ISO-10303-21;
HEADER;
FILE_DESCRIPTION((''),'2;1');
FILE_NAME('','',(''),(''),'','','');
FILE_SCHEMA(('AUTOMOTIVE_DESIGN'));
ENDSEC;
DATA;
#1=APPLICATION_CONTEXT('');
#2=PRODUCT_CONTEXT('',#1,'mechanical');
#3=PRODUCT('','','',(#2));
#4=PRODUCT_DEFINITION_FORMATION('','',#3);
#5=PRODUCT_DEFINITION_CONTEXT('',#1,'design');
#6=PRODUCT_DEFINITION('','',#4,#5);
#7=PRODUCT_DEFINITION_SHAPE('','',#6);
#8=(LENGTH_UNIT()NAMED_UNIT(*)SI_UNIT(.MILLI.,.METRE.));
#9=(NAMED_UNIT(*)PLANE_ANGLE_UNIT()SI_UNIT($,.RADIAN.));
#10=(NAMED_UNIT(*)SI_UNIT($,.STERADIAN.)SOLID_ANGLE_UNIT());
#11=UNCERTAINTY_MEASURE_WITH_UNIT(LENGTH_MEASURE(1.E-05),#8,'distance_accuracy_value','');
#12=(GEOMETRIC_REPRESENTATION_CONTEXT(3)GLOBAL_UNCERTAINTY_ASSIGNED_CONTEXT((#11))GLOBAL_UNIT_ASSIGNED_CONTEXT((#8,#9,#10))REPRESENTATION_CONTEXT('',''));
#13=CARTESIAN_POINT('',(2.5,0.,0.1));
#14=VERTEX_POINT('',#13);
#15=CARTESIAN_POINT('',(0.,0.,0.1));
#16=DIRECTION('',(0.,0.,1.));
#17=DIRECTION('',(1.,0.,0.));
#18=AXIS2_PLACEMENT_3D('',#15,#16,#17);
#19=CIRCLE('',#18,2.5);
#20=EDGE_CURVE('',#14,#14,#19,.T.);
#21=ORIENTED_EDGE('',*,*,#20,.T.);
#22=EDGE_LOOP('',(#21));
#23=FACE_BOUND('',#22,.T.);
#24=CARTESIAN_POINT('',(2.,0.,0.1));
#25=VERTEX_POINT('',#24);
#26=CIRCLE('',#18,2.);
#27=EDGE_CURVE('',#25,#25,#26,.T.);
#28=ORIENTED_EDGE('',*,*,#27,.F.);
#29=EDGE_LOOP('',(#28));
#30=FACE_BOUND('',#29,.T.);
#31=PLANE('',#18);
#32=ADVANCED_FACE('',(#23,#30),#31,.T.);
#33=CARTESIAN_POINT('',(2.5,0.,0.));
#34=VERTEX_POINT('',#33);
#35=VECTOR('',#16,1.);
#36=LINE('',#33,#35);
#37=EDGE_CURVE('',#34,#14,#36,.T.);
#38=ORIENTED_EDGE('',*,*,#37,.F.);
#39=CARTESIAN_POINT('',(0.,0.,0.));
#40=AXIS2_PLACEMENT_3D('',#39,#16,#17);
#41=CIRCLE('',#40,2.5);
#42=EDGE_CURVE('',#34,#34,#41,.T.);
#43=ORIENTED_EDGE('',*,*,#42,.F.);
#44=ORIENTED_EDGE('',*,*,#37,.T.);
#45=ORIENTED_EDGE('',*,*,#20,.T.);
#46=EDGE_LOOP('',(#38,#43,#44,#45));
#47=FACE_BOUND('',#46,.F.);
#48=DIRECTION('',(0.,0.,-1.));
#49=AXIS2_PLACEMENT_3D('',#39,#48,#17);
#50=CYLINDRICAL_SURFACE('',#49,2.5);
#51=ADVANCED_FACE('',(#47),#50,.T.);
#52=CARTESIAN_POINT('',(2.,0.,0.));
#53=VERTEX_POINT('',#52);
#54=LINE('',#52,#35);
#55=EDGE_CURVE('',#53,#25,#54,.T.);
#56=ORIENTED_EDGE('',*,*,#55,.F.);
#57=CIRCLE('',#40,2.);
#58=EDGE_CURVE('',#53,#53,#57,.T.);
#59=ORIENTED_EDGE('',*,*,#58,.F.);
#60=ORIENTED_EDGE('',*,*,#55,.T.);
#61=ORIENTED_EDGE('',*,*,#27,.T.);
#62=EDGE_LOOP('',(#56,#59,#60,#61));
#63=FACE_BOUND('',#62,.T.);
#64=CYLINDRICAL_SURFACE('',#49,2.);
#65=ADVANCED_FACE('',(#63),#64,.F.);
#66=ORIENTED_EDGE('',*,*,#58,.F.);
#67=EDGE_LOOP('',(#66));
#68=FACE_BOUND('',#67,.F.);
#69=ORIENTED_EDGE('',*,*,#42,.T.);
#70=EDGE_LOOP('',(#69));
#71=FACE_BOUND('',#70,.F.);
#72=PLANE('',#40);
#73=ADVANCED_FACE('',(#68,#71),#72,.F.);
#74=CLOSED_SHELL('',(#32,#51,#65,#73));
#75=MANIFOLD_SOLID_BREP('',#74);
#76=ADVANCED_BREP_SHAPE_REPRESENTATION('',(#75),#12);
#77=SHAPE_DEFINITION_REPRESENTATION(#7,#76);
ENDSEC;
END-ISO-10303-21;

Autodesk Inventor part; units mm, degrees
ref_plane "YZ Plane" through (0, 0, 0) normal (1, 0, 0) x (0, 1, 0)
ref_plane "XZ Plane" through (0, 0, 0) normal (0, 1, 0) x (-1, 0, 0)
ref_plane "XY Plane" through (0, 0, 0) normal (0, 0, 1) x (1, 0, 0)
sketch "スケッチ1" plane through (0, 0, 0) normal (0, 0, 1) x (1, 0, 0)
  circle A0 centre (0, 0) radius 2
  circle A1 centre (0, 0) radius 2.5
  dimension "d0" = 4
  dimension "d1" = 5
extrude "押し出し1" add sketch "スケッチ1" along normal blind 0.1
properties part number "simring_Φ4-Φ5" material "ステンレス鋼"
